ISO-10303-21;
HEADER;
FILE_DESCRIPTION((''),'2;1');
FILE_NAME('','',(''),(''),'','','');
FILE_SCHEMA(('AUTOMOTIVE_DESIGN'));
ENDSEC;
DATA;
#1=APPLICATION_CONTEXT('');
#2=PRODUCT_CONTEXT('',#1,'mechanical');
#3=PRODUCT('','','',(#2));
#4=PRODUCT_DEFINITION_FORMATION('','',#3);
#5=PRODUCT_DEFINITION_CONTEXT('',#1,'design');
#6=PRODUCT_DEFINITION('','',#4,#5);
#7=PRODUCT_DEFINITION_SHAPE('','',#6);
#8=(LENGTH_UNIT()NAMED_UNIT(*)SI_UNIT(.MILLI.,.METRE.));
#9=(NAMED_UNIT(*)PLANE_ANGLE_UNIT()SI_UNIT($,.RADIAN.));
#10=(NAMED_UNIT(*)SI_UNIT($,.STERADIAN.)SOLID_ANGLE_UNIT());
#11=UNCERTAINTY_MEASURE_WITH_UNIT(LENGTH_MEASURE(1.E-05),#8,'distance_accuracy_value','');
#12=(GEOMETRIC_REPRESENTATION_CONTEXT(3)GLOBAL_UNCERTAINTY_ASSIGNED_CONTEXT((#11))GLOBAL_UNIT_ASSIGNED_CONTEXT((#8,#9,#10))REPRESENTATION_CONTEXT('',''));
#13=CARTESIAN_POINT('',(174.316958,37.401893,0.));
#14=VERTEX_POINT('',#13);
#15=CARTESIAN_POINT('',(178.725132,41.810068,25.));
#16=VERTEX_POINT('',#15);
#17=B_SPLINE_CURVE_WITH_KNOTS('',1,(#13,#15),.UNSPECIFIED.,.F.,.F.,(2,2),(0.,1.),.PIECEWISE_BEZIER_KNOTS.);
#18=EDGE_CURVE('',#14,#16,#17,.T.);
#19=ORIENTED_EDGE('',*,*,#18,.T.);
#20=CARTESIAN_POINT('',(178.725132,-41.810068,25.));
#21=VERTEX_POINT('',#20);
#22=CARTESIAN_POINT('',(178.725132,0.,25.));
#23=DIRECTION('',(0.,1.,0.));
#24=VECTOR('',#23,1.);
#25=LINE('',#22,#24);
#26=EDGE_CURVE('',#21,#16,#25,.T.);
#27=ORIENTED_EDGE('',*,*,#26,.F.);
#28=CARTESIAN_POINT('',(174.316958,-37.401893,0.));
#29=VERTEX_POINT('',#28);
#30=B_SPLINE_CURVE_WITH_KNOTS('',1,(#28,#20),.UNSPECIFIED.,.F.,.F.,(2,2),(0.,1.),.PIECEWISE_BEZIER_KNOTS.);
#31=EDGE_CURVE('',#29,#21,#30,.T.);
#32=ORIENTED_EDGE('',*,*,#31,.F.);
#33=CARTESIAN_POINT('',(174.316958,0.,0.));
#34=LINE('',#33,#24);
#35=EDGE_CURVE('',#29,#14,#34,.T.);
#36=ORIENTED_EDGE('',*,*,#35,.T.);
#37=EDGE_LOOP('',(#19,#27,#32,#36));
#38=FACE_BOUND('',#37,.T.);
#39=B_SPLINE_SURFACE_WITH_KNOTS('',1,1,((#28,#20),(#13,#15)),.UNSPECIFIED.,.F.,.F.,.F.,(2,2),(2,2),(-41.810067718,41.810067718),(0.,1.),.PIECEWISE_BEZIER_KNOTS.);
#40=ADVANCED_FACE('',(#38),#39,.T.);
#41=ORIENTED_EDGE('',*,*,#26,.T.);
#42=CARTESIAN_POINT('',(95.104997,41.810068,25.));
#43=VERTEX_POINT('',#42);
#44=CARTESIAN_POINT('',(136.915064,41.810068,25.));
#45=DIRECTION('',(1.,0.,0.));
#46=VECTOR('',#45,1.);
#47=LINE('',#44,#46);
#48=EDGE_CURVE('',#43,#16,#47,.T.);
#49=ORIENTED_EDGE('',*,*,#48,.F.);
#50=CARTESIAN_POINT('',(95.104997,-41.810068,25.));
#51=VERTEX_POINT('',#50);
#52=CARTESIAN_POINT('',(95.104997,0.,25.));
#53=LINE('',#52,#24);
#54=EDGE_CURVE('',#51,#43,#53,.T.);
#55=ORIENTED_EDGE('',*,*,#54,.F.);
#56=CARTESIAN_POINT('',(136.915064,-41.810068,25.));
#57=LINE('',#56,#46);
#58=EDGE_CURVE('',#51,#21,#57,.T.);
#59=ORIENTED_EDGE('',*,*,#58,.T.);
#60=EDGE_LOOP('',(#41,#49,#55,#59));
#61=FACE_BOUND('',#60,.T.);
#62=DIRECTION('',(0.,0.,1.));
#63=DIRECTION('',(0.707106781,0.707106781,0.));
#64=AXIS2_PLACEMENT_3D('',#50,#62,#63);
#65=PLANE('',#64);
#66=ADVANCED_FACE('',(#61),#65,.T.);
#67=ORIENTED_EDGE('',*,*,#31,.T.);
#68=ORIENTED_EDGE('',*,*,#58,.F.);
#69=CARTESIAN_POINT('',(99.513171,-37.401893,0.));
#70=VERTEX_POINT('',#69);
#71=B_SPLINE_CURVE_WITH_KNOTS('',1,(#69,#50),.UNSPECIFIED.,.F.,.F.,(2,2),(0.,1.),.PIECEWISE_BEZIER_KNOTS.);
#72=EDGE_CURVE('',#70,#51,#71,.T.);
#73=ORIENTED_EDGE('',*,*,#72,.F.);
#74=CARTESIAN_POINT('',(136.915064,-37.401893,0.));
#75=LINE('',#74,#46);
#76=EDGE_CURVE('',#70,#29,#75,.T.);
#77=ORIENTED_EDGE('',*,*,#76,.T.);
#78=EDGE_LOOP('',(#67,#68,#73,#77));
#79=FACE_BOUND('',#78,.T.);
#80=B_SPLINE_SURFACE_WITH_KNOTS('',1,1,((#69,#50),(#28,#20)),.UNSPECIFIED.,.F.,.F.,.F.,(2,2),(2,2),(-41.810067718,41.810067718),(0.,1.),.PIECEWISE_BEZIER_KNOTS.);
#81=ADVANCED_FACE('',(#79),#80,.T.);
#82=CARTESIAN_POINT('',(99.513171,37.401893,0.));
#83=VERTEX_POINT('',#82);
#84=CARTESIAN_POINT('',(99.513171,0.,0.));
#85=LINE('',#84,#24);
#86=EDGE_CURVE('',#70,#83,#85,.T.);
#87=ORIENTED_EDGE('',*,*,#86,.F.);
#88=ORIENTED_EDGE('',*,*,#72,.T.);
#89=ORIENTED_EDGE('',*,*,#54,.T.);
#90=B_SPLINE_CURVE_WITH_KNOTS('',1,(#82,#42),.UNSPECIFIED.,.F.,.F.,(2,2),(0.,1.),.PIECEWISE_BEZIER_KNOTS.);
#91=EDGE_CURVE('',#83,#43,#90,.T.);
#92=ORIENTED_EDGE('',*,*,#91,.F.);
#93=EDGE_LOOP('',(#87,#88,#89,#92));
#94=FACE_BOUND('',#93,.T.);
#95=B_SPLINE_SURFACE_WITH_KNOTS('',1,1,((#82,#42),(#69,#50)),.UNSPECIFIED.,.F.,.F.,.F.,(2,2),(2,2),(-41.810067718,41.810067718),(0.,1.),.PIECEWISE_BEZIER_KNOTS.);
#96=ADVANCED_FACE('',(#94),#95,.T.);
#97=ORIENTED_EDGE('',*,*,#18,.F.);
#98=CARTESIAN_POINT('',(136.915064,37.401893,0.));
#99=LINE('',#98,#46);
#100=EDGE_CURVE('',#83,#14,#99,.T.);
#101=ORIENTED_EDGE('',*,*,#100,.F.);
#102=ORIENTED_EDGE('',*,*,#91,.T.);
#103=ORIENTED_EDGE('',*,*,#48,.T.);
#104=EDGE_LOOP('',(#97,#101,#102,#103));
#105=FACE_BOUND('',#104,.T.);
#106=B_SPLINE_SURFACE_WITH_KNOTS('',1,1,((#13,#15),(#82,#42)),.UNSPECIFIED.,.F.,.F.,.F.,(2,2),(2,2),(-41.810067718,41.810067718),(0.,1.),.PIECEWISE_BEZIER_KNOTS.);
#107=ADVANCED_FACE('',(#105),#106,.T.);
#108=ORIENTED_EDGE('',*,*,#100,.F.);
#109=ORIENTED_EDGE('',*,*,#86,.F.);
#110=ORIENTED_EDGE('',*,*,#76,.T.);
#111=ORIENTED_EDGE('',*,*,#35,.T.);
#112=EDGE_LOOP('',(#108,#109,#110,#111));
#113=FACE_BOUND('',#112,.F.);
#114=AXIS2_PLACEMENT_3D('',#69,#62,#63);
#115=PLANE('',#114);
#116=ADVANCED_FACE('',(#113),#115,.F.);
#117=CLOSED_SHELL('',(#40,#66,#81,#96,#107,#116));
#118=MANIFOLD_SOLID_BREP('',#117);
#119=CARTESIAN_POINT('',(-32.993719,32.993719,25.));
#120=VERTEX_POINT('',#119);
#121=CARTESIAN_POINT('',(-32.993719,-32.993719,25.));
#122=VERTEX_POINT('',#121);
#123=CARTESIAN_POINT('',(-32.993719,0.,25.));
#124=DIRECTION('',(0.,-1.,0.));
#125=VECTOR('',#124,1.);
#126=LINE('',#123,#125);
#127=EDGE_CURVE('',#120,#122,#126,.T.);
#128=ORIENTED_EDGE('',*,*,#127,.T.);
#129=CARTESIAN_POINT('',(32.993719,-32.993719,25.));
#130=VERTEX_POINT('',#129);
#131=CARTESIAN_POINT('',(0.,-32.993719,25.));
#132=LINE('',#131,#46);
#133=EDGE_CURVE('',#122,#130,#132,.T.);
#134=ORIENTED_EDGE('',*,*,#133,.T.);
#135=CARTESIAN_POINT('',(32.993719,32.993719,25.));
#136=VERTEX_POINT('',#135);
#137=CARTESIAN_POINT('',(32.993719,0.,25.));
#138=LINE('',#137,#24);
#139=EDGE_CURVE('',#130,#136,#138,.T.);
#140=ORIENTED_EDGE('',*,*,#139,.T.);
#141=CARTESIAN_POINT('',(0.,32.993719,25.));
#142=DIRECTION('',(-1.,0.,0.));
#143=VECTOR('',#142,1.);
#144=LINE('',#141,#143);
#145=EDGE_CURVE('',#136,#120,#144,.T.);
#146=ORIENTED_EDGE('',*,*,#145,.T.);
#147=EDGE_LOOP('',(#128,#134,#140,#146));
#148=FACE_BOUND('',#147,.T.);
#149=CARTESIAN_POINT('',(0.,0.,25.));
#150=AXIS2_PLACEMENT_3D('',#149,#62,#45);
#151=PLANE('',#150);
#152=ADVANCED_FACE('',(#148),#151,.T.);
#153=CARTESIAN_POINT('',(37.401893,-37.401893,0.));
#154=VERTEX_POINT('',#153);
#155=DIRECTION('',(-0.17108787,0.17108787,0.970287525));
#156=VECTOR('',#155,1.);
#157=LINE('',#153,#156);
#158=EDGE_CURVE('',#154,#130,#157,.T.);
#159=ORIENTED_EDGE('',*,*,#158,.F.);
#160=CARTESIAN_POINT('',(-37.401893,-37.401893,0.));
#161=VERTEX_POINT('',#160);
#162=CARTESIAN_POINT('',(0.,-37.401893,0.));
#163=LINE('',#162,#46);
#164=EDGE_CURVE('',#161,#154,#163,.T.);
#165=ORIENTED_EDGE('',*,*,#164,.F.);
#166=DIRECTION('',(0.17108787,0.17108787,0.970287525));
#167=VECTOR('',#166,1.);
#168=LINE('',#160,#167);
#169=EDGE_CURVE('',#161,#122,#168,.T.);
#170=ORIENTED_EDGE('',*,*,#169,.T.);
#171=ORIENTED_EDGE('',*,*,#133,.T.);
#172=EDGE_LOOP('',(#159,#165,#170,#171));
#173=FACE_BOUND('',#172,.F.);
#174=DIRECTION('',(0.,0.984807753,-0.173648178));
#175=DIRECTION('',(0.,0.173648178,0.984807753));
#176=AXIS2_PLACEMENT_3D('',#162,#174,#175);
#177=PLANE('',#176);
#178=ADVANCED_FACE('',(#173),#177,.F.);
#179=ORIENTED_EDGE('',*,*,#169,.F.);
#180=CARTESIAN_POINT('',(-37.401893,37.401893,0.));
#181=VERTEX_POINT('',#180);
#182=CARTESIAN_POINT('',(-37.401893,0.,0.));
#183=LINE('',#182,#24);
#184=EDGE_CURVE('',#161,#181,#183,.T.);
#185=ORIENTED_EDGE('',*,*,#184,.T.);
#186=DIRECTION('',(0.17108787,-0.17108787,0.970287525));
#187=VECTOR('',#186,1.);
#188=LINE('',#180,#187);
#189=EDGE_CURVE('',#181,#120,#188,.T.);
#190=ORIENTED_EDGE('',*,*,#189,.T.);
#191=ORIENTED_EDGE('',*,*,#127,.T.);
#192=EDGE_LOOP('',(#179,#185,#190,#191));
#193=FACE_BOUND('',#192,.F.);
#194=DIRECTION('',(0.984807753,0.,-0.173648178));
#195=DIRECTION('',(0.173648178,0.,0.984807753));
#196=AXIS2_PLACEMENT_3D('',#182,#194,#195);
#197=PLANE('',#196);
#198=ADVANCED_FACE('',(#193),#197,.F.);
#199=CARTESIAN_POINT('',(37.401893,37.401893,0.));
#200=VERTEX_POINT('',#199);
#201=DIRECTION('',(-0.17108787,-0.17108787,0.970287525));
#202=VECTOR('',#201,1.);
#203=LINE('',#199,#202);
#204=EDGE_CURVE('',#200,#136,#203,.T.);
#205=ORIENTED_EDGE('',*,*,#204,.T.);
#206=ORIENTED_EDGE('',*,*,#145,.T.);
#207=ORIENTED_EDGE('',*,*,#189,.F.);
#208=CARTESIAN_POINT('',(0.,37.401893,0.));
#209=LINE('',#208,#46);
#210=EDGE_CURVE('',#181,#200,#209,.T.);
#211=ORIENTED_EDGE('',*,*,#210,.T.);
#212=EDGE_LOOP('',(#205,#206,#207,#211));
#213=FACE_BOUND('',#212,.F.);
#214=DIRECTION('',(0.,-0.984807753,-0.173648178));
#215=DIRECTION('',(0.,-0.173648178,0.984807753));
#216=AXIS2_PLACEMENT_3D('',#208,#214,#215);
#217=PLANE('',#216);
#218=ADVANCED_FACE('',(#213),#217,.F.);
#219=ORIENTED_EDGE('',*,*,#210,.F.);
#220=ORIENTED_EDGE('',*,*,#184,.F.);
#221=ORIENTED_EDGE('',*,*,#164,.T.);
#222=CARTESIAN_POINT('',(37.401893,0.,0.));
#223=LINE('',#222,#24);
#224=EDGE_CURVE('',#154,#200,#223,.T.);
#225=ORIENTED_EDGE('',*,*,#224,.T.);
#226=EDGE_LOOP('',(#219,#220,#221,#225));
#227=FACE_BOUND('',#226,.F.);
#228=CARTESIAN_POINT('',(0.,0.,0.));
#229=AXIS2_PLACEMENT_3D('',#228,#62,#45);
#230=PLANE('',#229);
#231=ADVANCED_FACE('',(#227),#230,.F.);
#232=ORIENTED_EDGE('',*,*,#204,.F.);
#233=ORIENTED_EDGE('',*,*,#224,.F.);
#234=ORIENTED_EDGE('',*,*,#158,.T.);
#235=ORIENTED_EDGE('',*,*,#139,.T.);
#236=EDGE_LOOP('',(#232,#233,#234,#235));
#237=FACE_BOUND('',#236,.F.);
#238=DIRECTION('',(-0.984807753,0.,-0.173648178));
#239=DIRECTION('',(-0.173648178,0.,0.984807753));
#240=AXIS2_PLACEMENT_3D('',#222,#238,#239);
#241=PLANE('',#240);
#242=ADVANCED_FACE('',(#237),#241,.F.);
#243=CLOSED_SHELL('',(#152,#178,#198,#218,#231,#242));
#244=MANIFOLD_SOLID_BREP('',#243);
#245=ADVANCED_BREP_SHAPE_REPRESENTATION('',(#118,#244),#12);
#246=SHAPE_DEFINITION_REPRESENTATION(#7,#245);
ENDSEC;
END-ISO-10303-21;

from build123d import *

# Parameters (mm, degrees)
F0_W     = 74.8037864
F0_H     = 74.8037864
F1_DEPTH = 25
F1_TAPER = 10
F2_DEPTH = 25
F2_TAPER = -10


with BuildPart() as f1:
    # F0 (on Top) → F1 (new body)
    with BuildSketch(Plane.XY):
        Rectangle(F0_W, F0_H)
    extrude(amount=F1_DEPTH, taper=F1_TAPER)


with BuildPart() as f2:
    # F0 (on Top) → F2 (new body)
    with BuildSketch(Plane.XY):
        with Locations((136.9150643929, 0)):
            Rectangle(F0_W, F0_H)
    extrude(amount=F2_DEPTH, taper=F2_TAPER)


solid = Compound([f1.part, f2.part])
